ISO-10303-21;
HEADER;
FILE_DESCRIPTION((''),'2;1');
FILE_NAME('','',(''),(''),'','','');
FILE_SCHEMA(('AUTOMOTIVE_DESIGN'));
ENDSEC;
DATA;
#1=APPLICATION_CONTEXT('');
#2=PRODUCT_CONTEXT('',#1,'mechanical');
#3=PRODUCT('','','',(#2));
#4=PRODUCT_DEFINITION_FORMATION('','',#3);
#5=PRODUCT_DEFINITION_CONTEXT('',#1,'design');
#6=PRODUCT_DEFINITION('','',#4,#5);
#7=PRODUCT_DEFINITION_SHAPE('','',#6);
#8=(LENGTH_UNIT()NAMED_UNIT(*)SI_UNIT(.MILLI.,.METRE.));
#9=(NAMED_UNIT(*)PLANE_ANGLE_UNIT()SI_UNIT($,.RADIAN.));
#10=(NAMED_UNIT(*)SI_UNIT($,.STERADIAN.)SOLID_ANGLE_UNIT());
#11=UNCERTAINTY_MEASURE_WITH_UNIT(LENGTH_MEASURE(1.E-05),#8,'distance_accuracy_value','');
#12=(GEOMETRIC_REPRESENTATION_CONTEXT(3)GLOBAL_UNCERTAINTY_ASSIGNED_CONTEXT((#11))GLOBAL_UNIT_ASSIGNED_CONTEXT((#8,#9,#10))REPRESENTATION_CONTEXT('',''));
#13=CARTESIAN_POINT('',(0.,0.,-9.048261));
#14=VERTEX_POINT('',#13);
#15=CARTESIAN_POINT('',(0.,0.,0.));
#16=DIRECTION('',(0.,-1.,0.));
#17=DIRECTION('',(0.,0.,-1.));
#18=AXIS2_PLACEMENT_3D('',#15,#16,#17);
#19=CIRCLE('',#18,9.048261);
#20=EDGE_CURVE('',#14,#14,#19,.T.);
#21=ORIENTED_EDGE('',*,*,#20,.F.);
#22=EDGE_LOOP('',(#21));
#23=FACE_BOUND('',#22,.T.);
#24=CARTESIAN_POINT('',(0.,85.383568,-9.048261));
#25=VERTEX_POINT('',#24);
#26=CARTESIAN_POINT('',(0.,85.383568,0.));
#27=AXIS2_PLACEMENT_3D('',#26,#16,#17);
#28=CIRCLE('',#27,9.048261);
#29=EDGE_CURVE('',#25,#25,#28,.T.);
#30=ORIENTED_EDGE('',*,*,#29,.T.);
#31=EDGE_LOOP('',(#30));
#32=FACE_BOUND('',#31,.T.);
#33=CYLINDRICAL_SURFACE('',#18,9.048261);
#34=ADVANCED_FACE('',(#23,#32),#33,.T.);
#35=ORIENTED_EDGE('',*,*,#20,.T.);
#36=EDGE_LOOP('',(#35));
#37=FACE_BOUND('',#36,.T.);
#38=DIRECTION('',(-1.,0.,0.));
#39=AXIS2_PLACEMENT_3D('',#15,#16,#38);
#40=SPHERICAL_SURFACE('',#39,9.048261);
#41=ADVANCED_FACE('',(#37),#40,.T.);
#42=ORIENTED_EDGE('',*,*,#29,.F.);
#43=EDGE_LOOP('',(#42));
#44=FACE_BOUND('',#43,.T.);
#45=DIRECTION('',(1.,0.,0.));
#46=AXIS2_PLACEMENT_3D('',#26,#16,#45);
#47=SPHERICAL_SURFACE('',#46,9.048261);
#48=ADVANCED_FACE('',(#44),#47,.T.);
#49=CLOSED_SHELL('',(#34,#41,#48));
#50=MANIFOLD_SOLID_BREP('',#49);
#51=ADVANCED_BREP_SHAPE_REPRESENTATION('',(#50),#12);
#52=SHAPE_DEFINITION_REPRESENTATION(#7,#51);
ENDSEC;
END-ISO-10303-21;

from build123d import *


with BuildPart() as part:
    # Sketch1 → Revolve1 (revolve)
    with BuildSketch(Plane.XY, mode=Mode.PRIVATE) as revolve1_sk:
        with BuildLine():
            Line((9.048261382, 85.383567839), (9.048261382, 0))
            ThreePointArc((9.048261382, 0), (6.398086981, -6.398086981), (0, -9.048261382))
            Line((0, -9.048261382), (0, 94.431829221))
            ThreePointArc((0, 94.431829221), (6.398086981, 91.78165482), (9.048261382, 85.383567839))
        make_face()
    revolve(revolve1_sk.sketch.rotate(Axis((0, 0, 0), (0, 1, 0)), 90), axis=Axis((0, 0, 0), (0, 1, 0)))  # turned: the seam where the file's is


solid = part.part
